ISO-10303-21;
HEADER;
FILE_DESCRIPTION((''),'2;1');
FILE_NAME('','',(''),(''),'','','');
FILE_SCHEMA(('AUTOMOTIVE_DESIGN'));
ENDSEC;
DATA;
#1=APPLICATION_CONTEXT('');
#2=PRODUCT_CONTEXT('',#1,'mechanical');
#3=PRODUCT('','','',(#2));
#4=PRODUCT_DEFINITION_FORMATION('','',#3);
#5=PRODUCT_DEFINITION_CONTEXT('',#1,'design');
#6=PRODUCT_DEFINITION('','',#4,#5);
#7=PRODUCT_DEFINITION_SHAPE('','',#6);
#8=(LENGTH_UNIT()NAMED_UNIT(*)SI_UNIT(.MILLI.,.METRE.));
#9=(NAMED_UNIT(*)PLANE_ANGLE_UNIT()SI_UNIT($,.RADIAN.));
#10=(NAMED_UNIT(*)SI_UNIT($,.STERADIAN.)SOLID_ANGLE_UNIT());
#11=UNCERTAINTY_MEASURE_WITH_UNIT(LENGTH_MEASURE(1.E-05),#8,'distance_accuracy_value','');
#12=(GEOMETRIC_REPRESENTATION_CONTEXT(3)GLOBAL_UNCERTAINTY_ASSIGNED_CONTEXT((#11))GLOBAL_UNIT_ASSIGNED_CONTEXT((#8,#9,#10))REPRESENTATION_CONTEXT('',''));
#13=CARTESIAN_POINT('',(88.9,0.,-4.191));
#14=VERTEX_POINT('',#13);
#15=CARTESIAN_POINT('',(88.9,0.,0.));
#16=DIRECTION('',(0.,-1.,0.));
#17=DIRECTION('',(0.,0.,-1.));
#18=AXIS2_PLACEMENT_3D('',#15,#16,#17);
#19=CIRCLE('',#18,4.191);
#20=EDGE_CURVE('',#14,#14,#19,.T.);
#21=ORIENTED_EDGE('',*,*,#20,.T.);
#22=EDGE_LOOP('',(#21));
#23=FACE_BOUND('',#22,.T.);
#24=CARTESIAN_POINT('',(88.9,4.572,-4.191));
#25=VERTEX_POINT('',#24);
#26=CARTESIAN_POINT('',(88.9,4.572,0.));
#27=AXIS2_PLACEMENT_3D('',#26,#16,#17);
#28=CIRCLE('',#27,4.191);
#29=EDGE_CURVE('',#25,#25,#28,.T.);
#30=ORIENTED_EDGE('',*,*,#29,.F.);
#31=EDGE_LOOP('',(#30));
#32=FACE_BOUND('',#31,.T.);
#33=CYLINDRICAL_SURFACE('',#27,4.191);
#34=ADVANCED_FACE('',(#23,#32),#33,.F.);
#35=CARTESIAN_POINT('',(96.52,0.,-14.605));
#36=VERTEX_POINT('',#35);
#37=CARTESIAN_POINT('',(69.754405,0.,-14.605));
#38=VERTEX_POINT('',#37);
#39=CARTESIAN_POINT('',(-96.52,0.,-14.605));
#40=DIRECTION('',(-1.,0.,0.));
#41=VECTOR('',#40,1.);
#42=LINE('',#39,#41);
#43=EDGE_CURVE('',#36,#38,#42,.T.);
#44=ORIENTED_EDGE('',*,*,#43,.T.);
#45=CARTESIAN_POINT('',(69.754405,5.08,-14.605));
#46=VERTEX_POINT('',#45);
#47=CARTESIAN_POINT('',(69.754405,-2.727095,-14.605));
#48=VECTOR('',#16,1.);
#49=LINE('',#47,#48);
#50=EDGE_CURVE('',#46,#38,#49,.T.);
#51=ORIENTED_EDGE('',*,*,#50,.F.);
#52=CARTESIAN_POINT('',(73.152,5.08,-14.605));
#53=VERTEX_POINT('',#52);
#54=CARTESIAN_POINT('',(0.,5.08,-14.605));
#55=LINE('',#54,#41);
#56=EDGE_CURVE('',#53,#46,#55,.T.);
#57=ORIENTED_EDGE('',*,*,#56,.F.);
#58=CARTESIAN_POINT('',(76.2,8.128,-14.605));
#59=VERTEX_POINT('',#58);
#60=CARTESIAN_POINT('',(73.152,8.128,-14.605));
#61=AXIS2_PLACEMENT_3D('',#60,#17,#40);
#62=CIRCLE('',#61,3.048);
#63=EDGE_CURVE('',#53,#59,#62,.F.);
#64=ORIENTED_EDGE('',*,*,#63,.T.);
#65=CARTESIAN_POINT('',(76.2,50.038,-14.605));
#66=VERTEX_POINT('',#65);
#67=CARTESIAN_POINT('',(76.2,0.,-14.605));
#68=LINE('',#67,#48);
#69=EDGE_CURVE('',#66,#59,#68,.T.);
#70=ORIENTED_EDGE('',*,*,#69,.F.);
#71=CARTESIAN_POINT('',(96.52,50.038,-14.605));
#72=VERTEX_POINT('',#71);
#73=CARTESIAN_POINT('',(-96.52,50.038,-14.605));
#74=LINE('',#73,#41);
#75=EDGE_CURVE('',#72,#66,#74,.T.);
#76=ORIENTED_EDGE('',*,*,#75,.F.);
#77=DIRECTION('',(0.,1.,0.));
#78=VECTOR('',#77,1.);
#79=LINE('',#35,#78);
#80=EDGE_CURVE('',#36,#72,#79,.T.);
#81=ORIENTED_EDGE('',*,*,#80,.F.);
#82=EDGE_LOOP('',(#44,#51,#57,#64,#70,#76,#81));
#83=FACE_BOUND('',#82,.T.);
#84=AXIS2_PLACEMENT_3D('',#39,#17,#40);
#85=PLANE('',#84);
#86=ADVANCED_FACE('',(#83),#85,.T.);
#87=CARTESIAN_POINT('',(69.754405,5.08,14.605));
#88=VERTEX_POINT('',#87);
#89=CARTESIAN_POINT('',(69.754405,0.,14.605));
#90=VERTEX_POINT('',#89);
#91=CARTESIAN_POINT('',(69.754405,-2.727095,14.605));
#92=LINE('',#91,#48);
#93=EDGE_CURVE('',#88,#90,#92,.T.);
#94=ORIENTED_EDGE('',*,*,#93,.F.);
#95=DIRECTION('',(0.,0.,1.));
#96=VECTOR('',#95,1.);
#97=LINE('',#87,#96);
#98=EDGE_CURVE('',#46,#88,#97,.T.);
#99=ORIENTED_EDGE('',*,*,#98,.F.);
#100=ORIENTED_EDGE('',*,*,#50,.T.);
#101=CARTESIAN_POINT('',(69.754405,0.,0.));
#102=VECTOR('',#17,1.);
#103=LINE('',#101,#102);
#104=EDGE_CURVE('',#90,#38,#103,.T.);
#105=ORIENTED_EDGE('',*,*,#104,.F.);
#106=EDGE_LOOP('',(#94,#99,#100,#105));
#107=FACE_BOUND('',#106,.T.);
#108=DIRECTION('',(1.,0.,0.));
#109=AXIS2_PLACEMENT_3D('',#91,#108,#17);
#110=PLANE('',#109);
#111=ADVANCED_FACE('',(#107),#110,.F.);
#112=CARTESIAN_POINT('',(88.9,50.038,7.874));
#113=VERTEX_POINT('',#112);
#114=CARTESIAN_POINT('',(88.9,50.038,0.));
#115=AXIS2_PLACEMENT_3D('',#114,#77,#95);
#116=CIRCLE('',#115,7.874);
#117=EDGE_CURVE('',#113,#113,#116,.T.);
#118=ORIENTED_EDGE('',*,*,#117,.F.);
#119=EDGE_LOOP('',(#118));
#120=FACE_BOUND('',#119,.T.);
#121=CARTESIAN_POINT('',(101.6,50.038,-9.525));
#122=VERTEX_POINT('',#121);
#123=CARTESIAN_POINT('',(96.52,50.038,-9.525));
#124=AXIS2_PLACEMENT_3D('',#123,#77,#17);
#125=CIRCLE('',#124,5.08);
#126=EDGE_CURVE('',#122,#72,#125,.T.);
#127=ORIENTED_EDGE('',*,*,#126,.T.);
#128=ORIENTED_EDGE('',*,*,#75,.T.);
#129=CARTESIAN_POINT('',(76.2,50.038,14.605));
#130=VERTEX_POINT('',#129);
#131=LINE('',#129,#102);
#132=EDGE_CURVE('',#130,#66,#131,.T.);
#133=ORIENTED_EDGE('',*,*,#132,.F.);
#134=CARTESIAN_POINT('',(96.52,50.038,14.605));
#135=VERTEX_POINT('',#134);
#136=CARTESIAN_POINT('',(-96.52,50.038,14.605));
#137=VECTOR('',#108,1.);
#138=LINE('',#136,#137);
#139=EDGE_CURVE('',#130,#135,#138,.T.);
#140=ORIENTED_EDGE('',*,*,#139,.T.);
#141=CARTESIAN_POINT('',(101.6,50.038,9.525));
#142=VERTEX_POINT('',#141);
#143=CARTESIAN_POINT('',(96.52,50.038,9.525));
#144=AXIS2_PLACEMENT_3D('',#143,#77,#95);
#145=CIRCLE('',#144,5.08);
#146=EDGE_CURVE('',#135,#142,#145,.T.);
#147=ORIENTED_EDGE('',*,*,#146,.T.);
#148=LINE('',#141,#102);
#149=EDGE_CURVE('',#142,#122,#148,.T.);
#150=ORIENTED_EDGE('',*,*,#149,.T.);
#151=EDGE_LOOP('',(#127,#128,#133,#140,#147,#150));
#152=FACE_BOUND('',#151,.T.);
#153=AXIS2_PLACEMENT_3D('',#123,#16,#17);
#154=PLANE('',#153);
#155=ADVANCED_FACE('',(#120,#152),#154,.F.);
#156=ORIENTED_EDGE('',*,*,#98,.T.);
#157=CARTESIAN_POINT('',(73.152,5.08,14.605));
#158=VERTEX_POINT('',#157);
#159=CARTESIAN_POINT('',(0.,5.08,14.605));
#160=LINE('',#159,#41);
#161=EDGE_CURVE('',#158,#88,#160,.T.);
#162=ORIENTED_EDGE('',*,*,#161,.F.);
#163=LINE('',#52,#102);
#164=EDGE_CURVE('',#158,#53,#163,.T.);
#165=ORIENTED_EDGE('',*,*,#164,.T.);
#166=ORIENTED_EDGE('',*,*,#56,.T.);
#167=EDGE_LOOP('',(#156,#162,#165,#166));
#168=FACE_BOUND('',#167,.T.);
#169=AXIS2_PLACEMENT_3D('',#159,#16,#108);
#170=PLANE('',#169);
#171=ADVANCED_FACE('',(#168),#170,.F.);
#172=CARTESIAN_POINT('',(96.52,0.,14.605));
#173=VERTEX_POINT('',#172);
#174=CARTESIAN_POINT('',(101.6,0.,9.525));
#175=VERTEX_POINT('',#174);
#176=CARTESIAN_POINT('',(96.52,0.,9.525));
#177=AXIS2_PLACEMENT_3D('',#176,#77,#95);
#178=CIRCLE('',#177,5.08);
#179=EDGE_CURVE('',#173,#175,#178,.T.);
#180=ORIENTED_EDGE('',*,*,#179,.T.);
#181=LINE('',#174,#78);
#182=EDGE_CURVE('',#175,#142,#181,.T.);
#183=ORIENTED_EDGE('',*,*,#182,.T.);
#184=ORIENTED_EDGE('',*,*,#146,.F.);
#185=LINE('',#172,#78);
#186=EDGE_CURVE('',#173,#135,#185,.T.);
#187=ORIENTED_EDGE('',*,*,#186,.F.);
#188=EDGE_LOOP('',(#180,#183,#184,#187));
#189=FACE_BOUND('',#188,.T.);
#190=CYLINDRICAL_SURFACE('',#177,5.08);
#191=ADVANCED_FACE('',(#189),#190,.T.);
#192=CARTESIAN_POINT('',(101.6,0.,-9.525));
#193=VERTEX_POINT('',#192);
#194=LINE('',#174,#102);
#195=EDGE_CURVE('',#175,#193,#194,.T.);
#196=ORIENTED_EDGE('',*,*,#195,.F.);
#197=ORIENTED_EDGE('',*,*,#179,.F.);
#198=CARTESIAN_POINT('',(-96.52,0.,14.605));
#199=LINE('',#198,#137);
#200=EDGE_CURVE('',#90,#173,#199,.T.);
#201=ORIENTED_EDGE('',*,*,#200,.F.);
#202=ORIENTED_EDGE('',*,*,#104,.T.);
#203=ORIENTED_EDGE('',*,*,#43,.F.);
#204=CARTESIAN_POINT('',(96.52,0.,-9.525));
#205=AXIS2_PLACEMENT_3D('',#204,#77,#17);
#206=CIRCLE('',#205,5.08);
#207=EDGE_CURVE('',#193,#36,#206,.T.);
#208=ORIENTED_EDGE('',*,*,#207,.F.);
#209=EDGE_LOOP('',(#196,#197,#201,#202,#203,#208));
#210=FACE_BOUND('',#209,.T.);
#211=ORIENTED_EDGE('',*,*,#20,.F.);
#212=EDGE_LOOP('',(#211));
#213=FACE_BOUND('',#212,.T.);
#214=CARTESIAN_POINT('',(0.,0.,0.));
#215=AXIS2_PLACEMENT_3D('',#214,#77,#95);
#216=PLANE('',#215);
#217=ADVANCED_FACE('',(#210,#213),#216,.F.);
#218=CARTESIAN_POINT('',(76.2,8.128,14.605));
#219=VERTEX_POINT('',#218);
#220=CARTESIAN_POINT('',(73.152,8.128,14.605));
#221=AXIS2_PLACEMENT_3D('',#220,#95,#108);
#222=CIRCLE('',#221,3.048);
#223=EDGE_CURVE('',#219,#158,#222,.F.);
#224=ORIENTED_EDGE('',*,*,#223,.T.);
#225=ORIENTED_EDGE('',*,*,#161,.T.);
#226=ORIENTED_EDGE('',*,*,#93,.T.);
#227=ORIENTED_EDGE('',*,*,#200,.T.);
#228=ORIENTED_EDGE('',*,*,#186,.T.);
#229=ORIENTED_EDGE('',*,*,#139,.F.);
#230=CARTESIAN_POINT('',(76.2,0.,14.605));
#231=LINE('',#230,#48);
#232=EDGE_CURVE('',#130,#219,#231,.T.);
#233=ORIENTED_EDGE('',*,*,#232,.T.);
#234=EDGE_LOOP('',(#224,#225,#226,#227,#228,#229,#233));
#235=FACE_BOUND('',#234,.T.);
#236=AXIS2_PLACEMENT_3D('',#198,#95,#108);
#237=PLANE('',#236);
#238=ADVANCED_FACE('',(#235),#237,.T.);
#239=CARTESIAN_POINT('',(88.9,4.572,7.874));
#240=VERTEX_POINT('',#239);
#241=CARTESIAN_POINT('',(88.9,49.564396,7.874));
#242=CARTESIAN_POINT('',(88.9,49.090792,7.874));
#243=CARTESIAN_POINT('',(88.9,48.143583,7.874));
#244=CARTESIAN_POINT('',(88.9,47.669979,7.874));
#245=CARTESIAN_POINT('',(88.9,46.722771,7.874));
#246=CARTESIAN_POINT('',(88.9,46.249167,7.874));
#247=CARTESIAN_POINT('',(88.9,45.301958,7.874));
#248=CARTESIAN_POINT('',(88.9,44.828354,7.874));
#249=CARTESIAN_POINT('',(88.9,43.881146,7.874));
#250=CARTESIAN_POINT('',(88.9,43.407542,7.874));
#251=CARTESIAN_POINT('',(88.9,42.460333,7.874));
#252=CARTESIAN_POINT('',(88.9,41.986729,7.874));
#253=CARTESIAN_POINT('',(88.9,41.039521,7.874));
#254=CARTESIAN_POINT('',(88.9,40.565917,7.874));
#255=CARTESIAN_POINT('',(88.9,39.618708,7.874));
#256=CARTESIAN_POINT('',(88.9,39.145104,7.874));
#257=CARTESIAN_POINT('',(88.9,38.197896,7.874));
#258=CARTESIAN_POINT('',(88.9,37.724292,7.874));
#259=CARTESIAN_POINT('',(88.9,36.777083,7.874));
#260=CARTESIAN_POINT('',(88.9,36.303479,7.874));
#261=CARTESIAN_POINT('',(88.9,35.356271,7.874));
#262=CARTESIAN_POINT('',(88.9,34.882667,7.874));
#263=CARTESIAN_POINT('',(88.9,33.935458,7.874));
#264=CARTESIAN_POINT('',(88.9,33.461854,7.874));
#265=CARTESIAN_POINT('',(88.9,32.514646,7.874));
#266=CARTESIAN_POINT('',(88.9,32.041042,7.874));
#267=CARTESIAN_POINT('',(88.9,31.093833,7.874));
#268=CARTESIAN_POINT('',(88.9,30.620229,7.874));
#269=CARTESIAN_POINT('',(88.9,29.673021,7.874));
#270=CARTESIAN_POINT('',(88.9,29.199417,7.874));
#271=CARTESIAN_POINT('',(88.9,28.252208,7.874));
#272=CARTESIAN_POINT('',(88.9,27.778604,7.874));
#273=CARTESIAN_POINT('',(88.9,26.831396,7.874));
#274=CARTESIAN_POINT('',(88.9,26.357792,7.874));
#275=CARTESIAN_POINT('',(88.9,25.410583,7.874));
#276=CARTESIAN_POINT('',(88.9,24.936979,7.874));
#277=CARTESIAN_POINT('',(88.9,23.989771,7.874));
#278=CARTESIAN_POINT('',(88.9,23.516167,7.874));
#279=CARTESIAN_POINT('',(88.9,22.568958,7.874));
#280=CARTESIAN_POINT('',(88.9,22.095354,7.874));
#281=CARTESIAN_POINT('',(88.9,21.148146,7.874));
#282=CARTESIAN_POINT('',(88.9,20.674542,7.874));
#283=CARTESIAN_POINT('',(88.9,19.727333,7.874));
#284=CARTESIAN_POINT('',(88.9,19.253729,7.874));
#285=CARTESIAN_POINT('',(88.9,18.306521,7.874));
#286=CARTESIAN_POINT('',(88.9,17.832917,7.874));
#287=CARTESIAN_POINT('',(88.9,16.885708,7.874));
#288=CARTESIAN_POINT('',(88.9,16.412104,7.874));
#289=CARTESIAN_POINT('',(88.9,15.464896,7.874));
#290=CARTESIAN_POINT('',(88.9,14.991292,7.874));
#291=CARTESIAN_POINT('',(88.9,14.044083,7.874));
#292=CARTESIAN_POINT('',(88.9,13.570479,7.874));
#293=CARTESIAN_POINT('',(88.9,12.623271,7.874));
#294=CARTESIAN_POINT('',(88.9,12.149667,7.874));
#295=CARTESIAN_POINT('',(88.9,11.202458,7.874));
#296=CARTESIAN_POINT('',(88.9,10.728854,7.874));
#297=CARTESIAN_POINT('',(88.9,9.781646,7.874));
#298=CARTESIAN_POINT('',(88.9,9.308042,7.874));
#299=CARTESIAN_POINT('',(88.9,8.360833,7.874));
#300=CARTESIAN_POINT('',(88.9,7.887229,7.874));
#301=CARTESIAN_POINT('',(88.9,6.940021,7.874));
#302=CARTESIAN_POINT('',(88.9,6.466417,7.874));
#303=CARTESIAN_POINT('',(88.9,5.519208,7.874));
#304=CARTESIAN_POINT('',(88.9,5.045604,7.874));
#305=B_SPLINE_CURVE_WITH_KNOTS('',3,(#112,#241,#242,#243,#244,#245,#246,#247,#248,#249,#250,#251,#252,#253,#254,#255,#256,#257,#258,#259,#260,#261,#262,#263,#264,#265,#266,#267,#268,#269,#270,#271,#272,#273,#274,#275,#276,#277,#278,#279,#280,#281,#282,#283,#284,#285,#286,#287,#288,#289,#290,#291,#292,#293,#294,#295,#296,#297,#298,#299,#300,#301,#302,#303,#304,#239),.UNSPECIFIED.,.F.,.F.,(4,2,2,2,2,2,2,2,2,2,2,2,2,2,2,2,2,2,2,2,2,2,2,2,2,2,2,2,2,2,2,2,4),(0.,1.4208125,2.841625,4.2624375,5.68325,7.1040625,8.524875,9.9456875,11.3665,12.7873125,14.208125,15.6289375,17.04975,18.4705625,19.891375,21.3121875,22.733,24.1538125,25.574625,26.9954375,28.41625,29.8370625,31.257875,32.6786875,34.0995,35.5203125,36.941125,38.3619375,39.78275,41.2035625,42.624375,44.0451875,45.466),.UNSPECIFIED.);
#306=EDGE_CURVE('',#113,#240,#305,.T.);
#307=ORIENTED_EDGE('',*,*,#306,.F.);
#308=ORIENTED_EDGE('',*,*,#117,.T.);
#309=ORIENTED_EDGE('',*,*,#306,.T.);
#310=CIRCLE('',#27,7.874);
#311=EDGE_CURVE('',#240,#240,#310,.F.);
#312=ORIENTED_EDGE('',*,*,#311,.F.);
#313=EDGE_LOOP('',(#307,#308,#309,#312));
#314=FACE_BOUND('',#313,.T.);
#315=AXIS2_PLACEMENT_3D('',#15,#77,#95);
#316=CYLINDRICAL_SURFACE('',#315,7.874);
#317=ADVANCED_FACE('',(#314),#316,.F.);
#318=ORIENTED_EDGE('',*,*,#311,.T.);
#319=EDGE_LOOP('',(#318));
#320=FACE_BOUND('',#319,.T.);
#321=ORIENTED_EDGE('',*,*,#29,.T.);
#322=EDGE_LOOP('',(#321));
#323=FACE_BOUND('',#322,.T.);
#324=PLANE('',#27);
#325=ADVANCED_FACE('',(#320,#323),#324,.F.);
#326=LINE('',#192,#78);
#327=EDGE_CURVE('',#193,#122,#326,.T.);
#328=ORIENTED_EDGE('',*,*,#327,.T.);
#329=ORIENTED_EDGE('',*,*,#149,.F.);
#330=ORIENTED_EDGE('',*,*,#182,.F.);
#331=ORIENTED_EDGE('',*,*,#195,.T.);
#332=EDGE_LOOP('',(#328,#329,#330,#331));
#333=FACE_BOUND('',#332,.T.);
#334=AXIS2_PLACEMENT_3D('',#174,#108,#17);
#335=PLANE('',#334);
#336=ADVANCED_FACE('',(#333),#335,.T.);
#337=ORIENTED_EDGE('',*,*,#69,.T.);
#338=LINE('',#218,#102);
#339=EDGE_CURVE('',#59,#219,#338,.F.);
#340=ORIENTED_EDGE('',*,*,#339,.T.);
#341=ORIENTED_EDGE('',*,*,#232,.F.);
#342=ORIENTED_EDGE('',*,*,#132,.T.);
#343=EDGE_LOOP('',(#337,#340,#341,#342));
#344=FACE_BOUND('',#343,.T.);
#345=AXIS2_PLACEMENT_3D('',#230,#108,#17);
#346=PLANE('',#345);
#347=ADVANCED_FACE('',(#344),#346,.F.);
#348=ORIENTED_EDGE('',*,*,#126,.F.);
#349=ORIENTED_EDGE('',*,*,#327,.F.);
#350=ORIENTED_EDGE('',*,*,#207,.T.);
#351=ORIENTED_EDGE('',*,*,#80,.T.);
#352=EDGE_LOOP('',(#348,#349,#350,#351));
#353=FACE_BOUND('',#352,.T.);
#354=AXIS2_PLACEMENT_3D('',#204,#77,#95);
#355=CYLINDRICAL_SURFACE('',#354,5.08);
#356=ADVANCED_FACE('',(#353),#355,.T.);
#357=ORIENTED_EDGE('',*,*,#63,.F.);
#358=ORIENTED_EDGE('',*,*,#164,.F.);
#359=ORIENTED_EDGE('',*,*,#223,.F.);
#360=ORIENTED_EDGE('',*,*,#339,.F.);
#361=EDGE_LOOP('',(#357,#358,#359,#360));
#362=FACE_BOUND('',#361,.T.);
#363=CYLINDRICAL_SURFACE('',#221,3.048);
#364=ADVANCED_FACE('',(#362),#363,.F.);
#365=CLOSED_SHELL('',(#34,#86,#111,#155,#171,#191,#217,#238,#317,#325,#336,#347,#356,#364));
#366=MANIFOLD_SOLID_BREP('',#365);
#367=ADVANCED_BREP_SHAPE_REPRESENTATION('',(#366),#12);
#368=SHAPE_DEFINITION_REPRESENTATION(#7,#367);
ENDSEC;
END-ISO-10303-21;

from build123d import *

# Parameters (mm, degrees)
SKETCH1_R                = 13.97
SKETCH1_R_2              = 1.275
BOSS_EXTRUDE1_DEPTH      = 3.048
BOSS_EXTRUDE2_DEPTH      = 46.99
BOSS_EXTRUDE2_DEPTH_BACK = 3.048
SKETCH2_R                = 7.874
SKETCH2_R_2              = 1.275
CUT_EXTRUDE2_DEPTH       = 117.959760362
SKETCH6_R                = 8.89
SKETCH6_R_2              = 4.191
BOSS_EXTRUDE3_DEPTH      = 4.572
FILLET2_R                = 3.048
SKETCH7_W                = 199.707818202
SKETCH7_H                = 58.861251681
CUT_EXTRUDE3_DEPTH       = 117.959760362


with BuildPart() as part:
    # Sketch1 → Boss-Extrude1 (new body)
    with BuildSketch(Plane(origin=(0, 0, 0), x_dir=(1, 0, 0), z_dir=(0, 1, 0))):
        with Locations(Location((0, 0, 0), (0, 0, 90))):
            Circle(SKETCH1_R)
        with Locations(Location((0, 9.5, 0), (0, 0, 90))):
            Circle(SKETCH1_R_2, mode=Mode.SUBTRACT)
        with Locations(Location((9.5, 0, 0), (0, 0, 90))):
            Circle(SKETCH1_R_2, mode=Mode.SUBTRACT)
        with Locations(Location((0, -9.5, 0), (0, 0, 90))):
            Circle(SKETCH1_R_2, mode=Mode.SUBTRACT)
        with Locations(Location((-9.5, 0, 0), (0, 0, 90))):
            Circle(SKETCH1_R_2, mode=Mode.SUBTRACT)
    extrude(amount=BOSS_EXTRUDE1_DEPTH)

    # Sketch2 → Boss-Extrude2 (add, two sides: drawn at the far end of the back side and taken through both)
    with BuildSketch(Plane(origin=(0, 3.048, 0), x_dir=(1, 0, 0), z_dir=(0, 1, 0)).offset(-BOSS_EXTRUDE2_DEPTH_BACK)):
        with BuildLine():
            Line((-96.52, -14.605), (96.52, -14.605))
            ThreePointArc((96.52, -14.605), (100.112102448, -13.117102448), (101.6, -9.525))
            Line((101.6, -9.525), (101.6, 9.525))
            ThreePointArc((101.6, 9.525), (100.112102448, 13.117102448), (96.52, 14.605))
            Line((96.52, 14.605), (-96.52, 14.605))
            ThreePointArc((-96.52, 14.605), (-100.112102448, 13.117102448), (-101.6, 9.525))
            Line((-101.6, 9.525), (-101.6, -9.525))
            ThreePointArc((-101.6, -9.525), (-100.112102448, -13.117102448), (-96.52, -14.605))
        make_face()
        with Locations(Location((-88.9, 0, 0), (0, 0, 270))):
            Circle(SKETCH2_R, mode=Mode.SUBTRACT)
        with Locations(Location((88.9, 0, 0), (0, 0, 270))):
            Circle(SKETCH2_R, mode=Mode.SUBTRACT)
        with Locations(Location((9.5, 0, 0), (0, 0, 90))):
            Circle(SKETCH2_R_2, mode=Mode.SUBTRACT)
        with Locations(Location((0, 9.5, 0), (0, 0, 90))):
            Circle(SKETCH2_R_2, mode=Mode.SUBTRACT)
        with Locations(Location((-9.5, 0, 0), (0, 0, 90))):
            Circle(SKETCH2_R_2, mode=Mode.SUBTRACT)
        with Locations(Location((0, -9.5, 0), (0, 0, 90))):
            Circle(SKETCH2_R_2, mode=Mode.SUBTRACT)
    extrude(amount=BOSS_EXTRUDE2_DEPTH + BOSS_EXTRUDE2_DEPTH_BACK)

    # Sketch5 → Cut-Extrude2 (cut, through all)
    with BuildSketch(Plane(origin=(0, 0, -14.605), x_dir=(-1, 0, 0), z_dir=(0, 0, -1))):
        Polygon((-76.2, 5.08), (0, 5.08), (76.2, 5.08), (76.2, 50.038), (-76.2, 50.038), align=None)
    extrude(amount=-CUT_EXTRUDE2_DEPTH, mode=Mode.SUBTRACT)

    # Sketch6 → Boss-Extrude3 (add)
    # profile 1 of 2: a face of its own
    with BuildSketch(Plane.XZ):
        with Locations((-88.9, 0)):
            Circle(SKETCH6_R)
        with Locations(Location((-88.9, 0, 0), (0, 0, 270))):
            Circle(SKETCH6_R_2, mode=Mode.SUBTRACT)
    # profile 2 of 2: a face of its own
    with BuildSketch(Plane.XZ):
        with Locations((88.9, 0)):
            Circle(SKETCH6_R)
        with Locations(Location((88.9, 0, 0), (0, 0, 270))):
            Circle(SKETCH6_R_2, mode=Mode.SUBTRACT)
    extrude(amount=-BOSS_EXTRUDE3_DEPTH)

    # Fillet2
    fillet2_edges = [part.edges().sort_by_distance(p)[0] for p in [
        (-76.2, 5.08, 0),
        (76.2, 5.08, 0),
    ]]
    fillet(fillet2_edges, radius=FILLET2_R)

    # Sketch7 → Cut-Extrude3 (cut, through all)
    with BuildSketch(Plane(origin=(0, 0, -14.605), x_dir=(-1, 0, 0), z_dir=(0, 0, -1))):
        with Locations((30.0995037, 26.703530829)):
            Rectangle(SKETCH7_W, SKETCH7_H)
    extrude(amount=-CUT_EXTRUDE3_DEPTH, mode=Mode.SUBTRACT)


solid = part.part
